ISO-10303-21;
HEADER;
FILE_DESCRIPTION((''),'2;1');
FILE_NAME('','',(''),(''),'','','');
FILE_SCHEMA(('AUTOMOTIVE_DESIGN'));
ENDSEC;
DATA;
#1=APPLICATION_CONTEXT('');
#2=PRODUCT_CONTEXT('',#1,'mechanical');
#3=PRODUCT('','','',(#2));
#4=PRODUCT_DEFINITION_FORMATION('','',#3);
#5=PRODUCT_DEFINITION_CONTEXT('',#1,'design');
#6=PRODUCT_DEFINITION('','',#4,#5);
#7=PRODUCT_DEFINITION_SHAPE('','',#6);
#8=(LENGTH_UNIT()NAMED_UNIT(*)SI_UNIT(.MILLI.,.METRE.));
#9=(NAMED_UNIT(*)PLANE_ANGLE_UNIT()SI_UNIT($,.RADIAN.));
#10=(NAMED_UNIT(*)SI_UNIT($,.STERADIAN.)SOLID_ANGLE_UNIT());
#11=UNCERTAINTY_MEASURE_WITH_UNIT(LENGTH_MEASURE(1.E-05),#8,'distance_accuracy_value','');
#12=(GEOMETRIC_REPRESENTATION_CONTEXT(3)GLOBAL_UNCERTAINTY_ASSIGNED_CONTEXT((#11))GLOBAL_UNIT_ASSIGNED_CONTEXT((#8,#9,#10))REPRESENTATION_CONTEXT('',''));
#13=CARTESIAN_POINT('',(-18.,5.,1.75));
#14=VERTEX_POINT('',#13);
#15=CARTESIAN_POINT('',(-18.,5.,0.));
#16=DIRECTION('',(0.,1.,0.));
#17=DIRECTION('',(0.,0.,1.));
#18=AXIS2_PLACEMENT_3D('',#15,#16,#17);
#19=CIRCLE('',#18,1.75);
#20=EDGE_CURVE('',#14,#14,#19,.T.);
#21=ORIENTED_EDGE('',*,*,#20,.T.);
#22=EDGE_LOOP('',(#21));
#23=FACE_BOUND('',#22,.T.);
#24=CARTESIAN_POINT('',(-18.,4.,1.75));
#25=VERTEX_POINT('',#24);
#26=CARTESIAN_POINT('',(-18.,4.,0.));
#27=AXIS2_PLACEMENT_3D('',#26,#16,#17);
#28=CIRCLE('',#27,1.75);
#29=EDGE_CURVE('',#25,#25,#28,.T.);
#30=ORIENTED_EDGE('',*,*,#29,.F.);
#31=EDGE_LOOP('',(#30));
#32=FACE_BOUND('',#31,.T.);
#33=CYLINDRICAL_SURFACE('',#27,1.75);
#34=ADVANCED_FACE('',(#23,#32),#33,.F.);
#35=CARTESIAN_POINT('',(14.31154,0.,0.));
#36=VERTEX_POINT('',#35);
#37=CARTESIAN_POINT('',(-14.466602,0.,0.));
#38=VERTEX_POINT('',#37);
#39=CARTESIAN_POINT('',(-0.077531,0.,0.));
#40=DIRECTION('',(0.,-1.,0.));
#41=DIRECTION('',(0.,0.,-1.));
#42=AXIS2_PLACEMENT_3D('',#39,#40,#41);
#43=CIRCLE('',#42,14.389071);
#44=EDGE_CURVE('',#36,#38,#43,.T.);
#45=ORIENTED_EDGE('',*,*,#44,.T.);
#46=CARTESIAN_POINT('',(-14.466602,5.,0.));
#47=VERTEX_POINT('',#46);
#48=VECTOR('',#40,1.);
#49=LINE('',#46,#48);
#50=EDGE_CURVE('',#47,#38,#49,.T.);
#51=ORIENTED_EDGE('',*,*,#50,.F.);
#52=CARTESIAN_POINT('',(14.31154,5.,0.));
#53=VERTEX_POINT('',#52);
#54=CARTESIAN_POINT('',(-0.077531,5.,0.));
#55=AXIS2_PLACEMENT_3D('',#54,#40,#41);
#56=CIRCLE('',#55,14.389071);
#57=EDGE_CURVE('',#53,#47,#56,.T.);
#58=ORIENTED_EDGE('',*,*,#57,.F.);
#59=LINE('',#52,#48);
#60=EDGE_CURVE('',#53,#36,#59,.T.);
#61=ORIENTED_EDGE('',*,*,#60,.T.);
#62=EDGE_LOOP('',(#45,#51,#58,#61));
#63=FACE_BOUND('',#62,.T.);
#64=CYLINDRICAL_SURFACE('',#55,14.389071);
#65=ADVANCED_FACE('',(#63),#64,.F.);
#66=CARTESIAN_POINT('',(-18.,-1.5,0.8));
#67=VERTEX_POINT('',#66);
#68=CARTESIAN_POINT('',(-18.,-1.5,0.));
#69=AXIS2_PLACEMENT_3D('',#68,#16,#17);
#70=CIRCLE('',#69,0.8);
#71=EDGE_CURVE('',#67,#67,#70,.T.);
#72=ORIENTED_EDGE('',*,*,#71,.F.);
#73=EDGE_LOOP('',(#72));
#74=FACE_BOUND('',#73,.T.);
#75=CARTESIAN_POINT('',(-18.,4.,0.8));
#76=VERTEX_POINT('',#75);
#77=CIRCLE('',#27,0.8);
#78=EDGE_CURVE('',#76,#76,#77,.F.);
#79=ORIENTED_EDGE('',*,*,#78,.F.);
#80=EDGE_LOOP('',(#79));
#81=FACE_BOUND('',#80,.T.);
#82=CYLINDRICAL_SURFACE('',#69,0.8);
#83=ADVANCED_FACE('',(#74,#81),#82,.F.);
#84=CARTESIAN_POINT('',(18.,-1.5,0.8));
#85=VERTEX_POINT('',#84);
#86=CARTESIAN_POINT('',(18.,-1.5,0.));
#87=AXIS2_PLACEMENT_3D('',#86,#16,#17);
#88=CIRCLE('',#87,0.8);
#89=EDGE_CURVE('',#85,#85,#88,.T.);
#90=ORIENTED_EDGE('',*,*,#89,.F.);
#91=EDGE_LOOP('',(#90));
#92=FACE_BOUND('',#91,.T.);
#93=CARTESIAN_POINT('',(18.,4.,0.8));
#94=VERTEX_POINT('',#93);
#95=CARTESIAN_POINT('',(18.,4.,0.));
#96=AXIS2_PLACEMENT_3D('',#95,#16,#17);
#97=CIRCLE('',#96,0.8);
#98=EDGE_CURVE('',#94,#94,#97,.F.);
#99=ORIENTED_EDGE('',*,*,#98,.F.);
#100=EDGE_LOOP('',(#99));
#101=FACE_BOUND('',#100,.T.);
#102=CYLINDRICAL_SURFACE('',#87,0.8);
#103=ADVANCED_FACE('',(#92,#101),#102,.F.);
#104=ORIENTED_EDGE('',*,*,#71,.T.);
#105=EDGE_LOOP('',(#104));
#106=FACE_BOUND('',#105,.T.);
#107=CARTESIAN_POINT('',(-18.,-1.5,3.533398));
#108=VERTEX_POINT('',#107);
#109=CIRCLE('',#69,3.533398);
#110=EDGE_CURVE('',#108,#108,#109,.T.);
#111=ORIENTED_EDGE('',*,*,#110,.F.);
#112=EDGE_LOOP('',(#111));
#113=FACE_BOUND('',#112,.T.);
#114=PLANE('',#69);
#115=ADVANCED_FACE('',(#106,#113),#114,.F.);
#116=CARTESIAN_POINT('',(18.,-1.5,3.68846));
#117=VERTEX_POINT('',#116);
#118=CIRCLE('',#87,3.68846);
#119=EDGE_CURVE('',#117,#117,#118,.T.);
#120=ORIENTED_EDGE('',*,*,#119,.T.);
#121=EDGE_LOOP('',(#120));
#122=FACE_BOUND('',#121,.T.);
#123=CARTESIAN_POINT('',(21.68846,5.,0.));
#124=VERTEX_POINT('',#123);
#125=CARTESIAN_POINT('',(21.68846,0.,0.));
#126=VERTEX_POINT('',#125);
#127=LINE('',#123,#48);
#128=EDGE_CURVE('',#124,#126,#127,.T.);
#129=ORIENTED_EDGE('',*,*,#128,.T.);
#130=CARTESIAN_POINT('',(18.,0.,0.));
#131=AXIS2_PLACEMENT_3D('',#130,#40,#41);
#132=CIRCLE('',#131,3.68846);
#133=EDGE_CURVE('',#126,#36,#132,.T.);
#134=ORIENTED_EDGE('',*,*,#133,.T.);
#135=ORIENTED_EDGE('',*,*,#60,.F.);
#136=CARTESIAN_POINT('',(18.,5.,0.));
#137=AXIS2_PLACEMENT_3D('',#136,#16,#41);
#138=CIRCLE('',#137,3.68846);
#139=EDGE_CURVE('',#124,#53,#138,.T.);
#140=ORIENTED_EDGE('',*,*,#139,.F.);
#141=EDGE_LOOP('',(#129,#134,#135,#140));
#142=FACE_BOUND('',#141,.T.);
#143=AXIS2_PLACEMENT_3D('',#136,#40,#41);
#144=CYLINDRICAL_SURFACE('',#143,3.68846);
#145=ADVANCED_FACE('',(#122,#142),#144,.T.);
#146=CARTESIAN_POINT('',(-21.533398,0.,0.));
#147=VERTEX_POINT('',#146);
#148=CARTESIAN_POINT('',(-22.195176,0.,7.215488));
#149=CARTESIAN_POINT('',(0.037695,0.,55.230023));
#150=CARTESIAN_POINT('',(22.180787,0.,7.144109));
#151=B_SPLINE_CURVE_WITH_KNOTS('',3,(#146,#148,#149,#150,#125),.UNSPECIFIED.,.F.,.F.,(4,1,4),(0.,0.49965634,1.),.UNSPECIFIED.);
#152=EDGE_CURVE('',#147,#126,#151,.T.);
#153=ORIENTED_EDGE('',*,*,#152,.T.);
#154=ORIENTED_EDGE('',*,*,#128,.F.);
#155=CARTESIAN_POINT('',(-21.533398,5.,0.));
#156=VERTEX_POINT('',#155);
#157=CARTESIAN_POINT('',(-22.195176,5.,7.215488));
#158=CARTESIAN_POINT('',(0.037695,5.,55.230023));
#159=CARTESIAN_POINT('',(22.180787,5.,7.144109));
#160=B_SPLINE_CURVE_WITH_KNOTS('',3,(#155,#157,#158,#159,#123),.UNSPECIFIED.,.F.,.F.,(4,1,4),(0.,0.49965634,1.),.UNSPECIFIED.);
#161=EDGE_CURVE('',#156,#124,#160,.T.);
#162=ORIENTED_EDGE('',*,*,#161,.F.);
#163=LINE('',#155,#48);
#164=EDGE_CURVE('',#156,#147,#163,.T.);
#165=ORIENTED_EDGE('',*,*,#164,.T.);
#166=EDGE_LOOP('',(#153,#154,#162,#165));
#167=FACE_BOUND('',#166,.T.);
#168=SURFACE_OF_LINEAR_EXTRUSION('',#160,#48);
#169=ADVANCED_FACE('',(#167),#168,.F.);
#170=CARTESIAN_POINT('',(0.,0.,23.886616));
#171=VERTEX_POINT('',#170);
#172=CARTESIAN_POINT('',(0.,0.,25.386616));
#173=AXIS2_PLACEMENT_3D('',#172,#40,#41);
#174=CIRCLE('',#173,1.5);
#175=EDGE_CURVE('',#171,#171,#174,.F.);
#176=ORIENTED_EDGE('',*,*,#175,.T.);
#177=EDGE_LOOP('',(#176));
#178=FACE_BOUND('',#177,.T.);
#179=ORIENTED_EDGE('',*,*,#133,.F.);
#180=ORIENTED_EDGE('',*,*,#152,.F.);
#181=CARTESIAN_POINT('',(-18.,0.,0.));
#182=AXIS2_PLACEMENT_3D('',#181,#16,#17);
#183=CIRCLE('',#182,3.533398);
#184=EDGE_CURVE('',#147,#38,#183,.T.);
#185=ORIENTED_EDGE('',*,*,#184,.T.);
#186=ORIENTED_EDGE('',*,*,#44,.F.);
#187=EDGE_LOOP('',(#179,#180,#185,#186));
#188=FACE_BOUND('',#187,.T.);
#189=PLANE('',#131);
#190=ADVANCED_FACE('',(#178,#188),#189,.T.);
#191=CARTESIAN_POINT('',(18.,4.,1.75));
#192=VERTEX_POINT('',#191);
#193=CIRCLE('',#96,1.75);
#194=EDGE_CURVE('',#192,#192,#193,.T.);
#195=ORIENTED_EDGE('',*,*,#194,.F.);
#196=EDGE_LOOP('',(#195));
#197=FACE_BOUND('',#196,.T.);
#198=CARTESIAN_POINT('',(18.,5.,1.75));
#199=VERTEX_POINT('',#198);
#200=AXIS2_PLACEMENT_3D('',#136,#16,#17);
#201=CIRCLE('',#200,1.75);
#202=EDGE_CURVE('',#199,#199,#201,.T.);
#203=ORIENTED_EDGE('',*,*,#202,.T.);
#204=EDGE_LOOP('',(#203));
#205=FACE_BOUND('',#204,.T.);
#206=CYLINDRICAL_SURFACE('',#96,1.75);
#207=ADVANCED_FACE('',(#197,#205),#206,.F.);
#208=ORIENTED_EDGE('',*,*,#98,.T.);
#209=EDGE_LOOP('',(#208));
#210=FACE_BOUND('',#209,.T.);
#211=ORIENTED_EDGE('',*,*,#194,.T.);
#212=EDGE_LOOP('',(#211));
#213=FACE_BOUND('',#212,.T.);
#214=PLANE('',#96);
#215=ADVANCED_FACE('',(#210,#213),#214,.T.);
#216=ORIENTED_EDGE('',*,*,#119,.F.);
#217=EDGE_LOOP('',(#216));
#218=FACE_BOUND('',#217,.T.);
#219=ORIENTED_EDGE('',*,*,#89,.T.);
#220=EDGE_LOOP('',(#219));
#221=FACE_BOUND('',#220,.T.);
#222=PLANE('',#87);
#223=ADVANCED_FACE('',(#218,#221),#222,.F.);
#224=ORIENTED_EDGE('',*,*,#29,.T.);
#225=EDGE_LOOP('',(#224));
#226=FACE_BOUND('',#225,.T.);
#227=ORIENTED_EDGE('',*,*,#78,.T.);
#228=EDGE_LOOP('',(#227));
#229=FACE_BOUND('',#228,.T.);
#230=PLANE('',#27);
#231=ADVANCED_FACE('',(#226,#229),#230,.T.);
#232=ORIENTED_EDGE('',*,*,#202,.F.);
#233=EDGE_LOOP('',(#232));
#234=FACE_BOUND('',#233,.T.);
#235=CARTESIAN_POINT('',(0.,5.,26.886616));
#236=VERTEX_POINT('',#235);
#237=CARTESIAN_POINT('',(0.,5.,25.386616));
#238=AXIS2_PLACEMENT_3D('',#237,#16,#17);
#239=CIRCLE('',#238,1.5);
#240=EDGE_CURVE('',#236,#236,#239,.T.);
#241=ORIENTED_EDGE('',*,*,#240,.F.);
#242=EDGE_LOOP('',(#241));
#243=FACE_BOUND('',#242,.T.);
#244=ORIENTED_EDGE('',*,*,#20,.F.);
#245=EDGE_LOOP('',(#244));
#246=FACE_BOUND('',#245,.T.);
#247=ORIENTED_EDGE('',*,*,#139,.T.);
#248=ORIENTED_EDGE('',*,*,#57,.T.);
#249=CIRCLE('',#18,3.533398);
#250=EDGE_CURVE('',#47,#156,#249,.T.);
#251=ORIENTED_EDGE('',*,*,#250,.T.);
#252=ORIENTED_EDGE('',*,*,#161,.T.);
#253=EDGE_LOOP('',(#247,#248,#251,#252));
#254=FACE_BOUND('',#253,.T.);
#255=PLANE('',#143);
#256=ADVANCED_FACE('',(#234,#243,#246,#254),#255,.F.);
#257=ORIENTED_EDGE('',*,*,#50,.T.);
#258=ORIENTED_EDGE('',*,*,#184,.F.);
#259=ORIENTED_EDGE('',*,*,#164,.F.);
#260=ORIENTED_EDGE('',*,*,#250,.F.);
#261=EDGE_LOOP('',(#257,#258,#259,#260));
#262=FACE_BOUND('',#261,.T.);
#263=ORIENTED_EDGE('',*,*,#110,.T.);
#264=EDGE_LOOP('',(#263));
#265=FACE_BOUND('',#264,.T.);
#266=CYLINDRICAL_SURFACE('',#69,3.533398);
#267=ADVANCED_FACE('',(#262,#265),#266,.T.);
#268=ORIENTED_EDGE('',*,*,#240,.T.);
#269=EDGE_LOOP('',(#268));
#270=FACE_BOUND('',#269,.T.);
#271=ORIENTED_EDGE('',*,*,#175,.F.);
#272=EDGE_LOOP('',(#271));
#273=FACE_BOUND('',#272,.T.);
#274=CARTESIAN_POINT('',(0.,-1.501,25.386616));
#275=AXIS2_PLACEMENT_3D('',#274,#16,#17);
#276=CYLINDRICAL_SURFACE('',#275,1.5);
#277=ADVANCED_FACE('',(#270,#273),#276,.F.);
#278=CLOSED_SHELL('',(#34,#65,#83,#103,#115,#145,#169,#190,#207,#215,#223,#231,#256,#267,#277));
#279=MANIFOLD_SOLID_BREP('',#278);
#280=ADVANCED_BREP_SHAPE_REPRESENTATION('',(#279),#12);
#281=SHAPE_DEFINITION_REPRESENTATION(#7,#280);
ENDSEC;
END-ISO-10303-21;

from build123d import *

# Parameters (mm, degrees)
SKETCH6_R             = 3.53339779
BOSS_EXTRUDE4_DEPTH   = 1.5
SKETCH6_R_2           = 3.688460373
BOSS_EXTRUDE4_2_DEPTH = 1.5
BOSS_EXTRUDE5_START   = 5
BOSS_EXTRUDE5_DEPTH   = 5
SKETCH12_R            = 0.8
CUT_EXTRUDE3_DEPTH    = 39.562588294
SKETCH13_R            = 1.75
SCREW_INSET_CUT_DEPTH = 1
CUT_EXTRUDE4_REACH    = 40.563
SKETCH15_R            = 1.5


with BuildPart() as part:
    # Sketch6 → Boss-Extrude4 (new body)
    with BuildSketch(Plane(origin=(0, 0, 0), x_dir=(1, 0, 0), z_dir=(0, 1, 0))):
        with Locations(Location((-18, 0, 0), (0, 0, 270))):
            Circle(SKETCH6_R)
    extrude(amount=-BOSS_EXTRUDE4_DEPTH)



with BuildPart() as body_2:
    # Sketch6 → Boss-Extrude4 2 (new body)
    with BuildSketch(Plane(origin=(0, 0, 0), x_dir=(1, 0, 0), z_dir=(0, 1, 0))):
        with Locations(Location((18, 0, 0), (0, 0, 270))):
            Circle(SKETCH6_R_2)
    extrude(amount=-BOSS_EXTRUDE4_2_DEPTH)


with BuildPart() as part_1:
    add(part.part)

    add(body_2.part)  # Boss-Extrude5 merges body 2
    # Sketch7 → Boss-Extrude5 (add)
    with BuildSketch(Plane(origin=(0, 0, 0), x_dir=(1, 0, 0), z_dir=(0, 1, 0)).offset(BOSS_EXTRUDE5_START)):
        with BuildLine():
            ThreePointArc((14.311539627, 0), (-0.077531291, -14.389070918), (-14.46660221, 0))
            ThreePointArc((-14.46660221, 0), (-18, 3.53339779), (-21.53339779, 0))
            add(Edge.make_bspline(
                [(-21.53339779, 0), (-22.195175759, -7.215488117), (0.037694985, -55.230023243), (22.180786806, -7.144108664), (21.688460373, 0)],
                knots=[0, 0, 0, 0, 0.49965634, 1, 1, 1, 1], degree=3))
            ThreePointArc((21.688460373, 0), (18, 3.688460373), (14.311539627, 0))
        make_face()
    extrude(amount=-BOSS_EXTRUDE5_DEPTH)

    # Sketch12 → Cut-Extrude3 (cut, through all)
    with BuildSketch(Plane(origin=(0, 5, 0), x_dir=(1, 0, 0), z_dir=(0, 1, 0))):
        with Locations(Location((-18, 0, 0), (0, 0, 270))):
            Circle(SKETCH12_R)
        with Locations(Location((18, 0, 0), (0, 0, 270))):
            Circle(SKETCH12_R)
    extrude(amount=-CUT_EXTRUDE3_DEPTH, mode=Mode.SUBTRACT)

    # Sketch13 → Screw Inset Cut (cut)
    with BuildSketch(Plane(origin=(0, 5, 0), x_dir=(1, 0, 0), z_dir=(0, 1, 0))):
        with Locations(Location((-18, 0, 0), (0, 0, 270))):
            Circle(SKETCH13_R)
        with Locations(Location((18, 0, 0), (0, 0, 270))):
            Circle(SKETCH13_R)
    extrude(amount=-SCREW_INSET_CUT_DEPTH, mode=Mode.SUBTRACT)

    # Sketch15 → Cut-Extrude4 (cut, up to next)
    with BuildSketch(Plane(origin=(0, 5, 0), x_dir=(1, 0, 0), z_dir=(0, 1, 0)), mode=Mode.PRIVATE) as cut_extrude4_sk1:
        with Locations(Location((0, -25.386616325, 0), (0, 0, 270))):
            Circle(SKETCH15_R)
    cut_extrude4_tool1 = extrude(cut_extrude4_sk1.sketch, amount=-CUT_EXTRUDE4_REACH, mode=Mode.PRIVATE) & part_1.part
    add(cut_extrude4_tool1.solids().sort_by_distance((0, 5, 25.386616))[0], mode=Mode.SUBTRACT)


solid = part_1.part
